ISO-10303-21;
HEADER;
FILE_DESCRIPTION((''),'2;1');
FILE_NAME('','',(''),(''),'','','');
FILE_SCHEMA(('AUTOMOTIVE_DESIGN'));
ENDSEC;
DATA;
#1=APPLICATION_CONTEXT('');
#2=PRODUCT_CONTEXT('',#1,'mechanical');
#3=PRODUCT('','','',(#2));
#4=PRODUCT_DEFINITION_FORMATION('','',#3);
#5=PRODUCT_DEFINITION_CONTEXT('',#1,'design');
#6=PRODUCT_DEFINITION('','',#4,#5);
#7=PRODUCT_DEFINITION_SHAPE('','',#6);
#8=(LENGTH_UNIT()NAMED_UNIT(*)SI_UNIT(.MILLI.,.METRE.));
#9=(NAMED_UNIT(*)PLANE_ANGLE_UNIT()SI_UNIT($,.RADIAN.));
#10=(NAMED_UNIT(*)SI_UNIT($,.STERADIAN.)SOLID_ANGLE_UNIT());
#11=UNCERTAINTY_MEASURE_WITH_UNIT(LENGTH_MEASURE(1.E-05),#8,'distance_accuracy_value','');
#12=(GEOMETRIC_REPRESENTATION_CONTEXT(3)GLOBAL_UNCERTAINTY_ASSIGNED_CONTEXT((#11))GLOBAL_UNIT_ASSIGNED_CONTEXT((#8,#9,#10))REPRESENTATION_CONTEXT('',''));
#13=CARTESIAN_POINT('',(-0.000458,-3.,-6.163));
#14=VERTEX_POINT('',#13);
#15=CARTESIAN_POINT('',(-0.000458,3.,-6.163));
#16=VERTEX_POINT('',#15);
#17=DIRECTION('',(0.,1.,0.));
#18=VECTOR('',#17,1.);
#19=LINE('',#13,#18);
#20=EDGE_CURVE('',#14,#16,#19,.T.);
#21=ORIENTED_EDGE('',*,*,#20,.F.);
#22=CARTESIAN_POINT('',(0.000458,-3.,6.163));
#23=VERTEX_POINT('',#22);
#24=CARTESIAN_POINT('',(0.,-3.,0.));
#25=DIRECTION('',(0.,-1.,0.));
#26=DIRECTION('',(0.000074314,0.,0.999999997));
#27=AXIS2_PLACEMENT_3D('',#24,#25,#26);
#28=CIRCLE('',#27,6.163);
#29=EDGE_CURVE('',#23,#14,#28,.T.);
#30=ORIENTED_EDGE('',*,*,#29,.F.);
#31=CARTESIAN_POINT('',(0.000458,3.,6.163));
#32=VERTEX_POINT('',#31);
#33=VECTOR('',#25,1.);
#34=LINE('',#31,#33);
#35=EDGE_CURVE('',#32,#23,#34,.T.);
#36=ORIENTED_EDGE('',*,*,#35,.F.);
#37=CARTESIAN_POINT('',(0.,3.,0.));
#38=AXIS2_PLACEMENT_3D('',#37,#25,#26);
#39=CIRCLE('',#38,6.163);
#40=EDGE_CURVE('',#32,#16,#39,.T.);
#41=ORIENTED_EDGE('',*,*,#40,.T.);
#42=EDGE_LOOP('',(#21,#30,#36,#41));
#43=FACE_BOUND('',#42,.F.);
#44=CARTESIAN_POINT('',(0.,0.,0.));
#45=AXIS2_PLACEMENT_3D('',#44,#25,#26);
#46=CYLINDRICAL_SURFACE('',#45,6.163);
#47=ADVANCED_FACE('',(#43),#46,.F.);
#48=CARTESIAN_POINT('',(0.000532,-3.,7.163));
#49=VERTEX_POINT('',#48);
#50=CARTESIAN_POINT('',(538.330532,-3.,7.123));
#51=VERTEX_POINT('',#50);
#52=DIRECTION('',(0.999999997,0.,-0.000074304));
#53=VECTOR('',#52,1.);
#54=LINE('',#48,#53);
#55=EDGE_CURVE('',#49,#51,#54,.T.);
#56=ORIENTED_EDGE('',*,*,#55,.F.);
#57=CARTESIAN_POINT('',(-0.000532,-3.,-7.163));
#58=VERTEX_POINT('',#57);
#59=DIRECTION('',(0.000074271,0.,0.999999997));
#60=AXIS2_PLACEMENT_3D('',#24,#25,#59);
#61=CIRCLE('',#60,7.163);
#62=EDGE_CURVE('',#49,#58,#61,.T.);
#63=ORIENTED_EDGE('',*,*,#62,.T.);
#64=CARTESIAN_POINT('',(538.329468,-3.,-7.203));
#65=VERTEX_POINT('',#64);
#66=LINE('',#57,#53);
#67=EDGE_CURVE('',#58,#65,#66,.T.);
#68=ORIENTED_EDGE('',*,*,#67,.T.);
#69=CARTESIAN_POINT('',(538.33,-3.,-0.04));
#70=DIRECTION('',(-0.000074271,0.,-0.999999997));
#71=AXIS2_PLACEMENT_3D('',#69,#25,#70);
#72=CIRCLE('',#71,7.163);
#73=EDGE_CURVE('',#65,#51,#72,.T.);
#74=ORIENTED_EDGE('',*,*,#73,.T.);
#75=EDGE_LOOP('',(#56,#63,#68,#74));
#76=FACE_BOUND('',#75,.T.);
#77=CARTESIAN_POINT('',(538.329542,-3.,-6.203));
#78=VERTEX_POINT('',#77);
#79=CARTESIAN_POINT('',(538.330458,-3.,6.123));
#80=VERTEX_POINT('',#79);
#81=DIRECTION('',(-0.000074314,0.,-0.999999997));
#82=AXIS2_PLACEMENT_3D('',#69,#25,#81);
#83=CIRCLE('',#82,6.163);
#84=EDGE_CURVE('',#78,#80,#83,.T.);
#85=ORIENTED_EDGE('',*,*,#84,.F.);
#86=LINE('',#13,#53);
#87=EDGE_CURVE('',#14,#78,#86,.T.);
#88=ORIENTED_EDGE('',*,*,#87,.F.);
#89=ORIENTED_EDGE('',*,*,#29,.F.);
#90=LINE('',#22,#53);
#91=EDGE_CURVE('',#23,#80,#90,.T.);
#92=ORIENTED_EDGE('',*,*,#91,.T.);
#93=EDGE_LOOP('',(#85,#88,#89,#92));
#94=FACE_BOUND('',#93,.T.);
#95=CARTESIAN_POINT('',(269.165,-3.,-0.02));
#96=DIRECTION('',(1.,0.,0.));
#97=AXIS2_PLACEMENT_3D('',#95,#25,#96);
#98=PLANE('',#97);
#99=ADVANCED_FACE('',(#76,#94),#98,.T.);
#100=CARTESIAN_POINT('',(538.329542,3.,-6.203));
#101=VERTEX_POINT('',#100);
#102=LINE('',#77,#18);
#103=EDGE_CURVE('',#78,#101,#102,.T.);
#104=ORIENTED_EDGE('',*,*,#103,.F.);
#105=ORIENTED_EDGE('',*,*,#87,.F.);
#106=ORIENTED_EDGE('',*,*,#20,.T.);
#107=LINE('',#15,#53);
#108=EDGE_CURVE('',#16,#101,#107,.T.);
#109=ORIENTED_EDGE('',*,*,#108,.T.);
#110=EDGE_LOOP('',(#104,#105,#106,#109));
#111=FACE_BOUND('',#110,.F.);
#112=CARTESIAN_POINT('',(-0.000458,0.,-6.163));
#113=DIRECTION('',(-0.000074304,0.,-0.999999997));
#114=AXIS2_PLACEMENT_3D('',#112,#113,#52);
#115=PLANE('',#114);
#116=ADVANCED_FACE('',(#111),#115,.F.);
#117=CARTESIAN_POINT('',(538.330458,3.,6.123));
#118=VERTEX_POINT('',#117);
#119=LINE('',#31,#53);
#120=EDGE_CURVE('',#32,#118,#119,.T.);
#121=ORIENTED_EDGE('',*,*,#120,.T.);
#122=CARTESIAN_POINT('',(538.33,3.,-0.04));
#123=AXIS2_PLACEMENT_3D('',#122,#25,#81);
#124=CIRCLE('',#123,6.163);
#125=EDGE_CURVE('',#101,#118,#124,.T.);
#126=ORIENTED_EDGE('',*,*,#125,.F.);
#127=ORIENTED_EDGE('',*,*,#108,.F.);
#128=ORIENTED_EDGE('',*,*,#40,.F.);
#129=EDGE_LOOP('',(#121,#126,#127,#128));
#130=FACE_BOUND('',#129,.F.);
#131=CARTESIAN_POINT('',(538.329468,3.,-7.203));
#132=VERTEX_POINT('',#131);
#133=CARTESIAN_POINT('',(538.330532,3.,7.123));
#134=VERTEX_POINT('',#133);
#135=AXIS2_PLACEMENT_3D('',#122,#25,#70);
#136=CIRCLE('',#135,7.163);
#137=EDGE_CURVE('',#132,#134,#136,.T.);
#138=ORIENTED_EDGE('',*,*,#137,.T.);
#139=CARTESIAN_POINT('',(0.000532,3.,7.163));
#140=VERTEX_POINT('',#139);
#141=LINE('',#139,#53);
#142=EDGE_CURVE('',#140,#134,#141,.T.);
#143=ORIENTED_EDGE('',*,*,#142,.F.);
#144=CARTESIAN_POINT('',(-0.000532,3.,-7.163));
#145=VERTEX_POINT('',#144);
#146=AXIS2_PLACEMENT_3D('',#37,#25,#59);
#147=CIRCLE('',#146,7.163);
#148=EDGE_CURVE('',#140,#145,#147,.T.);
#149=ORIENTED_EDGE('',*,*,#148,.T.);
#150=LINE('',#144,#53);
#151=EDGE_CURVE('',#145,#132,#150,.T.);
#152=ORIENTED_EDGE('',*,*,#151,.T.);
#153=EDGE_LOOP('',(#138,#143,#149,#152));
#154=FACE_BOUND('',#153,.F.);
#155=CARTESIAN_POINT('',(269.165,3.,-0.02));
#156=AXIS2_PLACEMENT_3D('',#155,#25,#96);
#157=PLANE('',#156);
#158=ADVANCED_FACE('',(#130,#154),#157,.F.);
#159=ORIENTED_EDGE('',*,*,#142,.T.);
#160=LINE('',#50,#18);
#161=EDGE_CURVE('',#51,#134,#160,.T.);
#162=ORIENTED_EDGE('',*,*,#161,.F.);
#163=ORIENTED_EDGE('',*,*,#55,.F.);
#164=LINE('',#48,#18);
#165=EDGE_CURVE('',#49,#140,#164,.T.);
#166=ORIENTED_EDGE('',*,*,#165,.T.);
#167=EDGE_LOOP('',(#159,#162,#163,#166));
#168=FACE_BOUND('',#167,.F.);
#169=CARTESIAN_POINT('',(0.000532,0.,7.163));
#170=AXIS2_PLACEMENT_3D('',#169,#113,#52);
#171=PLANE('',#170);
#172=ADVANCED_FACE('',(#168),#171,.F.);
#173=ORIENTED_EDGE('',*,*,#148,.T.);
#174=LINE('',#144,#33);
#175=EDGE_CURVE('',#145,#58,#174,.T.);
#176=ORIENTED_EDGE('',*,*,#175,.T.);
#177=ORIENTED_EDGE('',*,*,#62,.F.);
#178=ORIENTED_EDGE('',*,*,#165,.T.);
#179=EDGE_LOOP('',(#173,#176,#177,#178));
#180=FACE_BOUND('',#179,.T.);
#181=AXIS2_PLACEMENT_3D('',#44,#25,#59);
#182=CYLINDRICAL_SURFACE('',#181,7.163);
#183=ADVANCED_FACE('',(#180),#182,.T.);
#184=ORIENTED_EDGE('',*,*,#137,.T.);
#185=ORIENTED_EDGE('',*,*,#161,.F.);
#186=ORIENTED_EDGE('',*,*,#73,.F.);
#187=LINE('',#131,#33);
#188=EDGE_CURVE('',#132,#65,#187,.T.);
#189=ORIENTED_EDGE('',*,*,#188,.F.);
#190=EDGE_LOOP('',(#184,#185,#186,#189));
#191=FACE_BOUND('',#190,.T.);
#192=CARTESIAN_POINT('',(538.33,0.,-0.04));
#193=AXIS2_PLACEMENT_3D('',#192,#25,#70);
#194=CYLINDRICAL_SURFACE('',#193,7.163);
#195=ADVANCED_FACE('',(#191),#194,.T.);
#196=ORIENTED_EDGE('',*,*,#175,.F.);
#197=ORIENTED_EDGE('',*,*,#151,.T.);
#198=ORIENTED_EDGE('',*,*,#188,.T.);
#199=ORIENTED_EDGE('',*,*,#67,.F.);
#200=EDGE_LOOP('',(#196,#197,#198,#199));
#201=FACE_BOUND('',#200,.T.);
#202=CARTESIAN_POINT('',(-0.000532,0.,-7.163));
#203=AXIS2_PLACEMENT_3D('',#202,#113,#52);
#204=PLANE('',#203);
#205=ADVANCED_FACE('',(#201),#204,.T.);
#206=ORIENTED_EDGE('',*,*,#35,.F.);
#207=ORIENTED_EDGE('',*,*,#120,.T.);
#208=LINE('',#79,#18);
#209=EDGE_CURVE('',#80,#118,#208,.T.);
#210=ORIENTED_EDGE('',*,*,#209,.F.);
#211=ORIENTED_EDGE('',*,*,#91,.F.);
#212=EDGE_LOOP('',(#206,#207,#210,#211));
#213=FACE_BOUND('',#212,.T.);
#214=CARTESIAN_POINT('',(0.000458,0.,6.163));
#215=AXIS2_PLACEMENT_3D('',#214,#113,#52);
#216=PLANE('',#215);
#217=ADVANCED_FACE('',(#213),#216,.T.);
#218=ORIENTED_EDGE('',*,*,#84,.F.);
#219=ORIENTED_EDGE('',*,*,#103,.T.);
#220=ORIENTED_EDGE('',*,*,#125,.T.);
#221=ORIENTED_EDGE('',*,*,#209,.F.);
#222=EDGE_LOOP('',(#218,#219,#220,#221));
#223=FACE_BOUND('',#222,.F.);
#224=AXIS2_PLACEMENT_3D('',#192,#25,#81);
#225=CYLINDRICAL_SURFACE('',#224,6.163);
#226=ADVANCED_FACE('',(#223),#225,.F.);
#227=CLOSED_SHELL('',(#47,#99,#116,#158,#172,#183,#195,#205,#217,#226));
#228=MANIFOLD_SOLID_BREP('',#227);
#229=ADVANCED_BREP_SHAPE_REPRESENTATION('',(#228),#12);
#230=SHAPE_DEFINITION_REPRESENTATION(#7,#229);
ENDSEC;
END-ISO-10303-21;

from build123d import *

# Parameters (mm, degrees)
PAD010_DEPTH = 3


with BuildPart() as part:
    # Sketch022 → Pad010 (new body, symmetric)
    with BuildSketch(Plane.XZ):
        with BuildLine():
            ThreePointArc((0.000532, 7.163), (-7.163, 0.000532), (-0.000532, -7.163))
            Line((-0.000532, -7.163), (538.329468, -7.203))
            ThreePointArc((538.329468, -7.203), (545.493, -0.040532), (538.330532, 7.123))
            Line((0.000532, 7.163), (538.330532, 7.123))
        make_face()
        with BuildLine():
            ThreePointArc((0.000458, 6.163), (-6.163, 0.000458), (-0.000458, -6.163))
            Line((-0.000458, -6.163), (538.329542, -6.203))
            ThreePointArc((538.329542, -6.203), (544.493, -0.040458), (538.330458, 6.123))
            Line((0.000458, 6.163), (538.330458, 6.123))
        make_face(mode=Mode.SUBTRACT)
    extrude(amount=PAD010_DEPTH, both=True)


solid = part.part
